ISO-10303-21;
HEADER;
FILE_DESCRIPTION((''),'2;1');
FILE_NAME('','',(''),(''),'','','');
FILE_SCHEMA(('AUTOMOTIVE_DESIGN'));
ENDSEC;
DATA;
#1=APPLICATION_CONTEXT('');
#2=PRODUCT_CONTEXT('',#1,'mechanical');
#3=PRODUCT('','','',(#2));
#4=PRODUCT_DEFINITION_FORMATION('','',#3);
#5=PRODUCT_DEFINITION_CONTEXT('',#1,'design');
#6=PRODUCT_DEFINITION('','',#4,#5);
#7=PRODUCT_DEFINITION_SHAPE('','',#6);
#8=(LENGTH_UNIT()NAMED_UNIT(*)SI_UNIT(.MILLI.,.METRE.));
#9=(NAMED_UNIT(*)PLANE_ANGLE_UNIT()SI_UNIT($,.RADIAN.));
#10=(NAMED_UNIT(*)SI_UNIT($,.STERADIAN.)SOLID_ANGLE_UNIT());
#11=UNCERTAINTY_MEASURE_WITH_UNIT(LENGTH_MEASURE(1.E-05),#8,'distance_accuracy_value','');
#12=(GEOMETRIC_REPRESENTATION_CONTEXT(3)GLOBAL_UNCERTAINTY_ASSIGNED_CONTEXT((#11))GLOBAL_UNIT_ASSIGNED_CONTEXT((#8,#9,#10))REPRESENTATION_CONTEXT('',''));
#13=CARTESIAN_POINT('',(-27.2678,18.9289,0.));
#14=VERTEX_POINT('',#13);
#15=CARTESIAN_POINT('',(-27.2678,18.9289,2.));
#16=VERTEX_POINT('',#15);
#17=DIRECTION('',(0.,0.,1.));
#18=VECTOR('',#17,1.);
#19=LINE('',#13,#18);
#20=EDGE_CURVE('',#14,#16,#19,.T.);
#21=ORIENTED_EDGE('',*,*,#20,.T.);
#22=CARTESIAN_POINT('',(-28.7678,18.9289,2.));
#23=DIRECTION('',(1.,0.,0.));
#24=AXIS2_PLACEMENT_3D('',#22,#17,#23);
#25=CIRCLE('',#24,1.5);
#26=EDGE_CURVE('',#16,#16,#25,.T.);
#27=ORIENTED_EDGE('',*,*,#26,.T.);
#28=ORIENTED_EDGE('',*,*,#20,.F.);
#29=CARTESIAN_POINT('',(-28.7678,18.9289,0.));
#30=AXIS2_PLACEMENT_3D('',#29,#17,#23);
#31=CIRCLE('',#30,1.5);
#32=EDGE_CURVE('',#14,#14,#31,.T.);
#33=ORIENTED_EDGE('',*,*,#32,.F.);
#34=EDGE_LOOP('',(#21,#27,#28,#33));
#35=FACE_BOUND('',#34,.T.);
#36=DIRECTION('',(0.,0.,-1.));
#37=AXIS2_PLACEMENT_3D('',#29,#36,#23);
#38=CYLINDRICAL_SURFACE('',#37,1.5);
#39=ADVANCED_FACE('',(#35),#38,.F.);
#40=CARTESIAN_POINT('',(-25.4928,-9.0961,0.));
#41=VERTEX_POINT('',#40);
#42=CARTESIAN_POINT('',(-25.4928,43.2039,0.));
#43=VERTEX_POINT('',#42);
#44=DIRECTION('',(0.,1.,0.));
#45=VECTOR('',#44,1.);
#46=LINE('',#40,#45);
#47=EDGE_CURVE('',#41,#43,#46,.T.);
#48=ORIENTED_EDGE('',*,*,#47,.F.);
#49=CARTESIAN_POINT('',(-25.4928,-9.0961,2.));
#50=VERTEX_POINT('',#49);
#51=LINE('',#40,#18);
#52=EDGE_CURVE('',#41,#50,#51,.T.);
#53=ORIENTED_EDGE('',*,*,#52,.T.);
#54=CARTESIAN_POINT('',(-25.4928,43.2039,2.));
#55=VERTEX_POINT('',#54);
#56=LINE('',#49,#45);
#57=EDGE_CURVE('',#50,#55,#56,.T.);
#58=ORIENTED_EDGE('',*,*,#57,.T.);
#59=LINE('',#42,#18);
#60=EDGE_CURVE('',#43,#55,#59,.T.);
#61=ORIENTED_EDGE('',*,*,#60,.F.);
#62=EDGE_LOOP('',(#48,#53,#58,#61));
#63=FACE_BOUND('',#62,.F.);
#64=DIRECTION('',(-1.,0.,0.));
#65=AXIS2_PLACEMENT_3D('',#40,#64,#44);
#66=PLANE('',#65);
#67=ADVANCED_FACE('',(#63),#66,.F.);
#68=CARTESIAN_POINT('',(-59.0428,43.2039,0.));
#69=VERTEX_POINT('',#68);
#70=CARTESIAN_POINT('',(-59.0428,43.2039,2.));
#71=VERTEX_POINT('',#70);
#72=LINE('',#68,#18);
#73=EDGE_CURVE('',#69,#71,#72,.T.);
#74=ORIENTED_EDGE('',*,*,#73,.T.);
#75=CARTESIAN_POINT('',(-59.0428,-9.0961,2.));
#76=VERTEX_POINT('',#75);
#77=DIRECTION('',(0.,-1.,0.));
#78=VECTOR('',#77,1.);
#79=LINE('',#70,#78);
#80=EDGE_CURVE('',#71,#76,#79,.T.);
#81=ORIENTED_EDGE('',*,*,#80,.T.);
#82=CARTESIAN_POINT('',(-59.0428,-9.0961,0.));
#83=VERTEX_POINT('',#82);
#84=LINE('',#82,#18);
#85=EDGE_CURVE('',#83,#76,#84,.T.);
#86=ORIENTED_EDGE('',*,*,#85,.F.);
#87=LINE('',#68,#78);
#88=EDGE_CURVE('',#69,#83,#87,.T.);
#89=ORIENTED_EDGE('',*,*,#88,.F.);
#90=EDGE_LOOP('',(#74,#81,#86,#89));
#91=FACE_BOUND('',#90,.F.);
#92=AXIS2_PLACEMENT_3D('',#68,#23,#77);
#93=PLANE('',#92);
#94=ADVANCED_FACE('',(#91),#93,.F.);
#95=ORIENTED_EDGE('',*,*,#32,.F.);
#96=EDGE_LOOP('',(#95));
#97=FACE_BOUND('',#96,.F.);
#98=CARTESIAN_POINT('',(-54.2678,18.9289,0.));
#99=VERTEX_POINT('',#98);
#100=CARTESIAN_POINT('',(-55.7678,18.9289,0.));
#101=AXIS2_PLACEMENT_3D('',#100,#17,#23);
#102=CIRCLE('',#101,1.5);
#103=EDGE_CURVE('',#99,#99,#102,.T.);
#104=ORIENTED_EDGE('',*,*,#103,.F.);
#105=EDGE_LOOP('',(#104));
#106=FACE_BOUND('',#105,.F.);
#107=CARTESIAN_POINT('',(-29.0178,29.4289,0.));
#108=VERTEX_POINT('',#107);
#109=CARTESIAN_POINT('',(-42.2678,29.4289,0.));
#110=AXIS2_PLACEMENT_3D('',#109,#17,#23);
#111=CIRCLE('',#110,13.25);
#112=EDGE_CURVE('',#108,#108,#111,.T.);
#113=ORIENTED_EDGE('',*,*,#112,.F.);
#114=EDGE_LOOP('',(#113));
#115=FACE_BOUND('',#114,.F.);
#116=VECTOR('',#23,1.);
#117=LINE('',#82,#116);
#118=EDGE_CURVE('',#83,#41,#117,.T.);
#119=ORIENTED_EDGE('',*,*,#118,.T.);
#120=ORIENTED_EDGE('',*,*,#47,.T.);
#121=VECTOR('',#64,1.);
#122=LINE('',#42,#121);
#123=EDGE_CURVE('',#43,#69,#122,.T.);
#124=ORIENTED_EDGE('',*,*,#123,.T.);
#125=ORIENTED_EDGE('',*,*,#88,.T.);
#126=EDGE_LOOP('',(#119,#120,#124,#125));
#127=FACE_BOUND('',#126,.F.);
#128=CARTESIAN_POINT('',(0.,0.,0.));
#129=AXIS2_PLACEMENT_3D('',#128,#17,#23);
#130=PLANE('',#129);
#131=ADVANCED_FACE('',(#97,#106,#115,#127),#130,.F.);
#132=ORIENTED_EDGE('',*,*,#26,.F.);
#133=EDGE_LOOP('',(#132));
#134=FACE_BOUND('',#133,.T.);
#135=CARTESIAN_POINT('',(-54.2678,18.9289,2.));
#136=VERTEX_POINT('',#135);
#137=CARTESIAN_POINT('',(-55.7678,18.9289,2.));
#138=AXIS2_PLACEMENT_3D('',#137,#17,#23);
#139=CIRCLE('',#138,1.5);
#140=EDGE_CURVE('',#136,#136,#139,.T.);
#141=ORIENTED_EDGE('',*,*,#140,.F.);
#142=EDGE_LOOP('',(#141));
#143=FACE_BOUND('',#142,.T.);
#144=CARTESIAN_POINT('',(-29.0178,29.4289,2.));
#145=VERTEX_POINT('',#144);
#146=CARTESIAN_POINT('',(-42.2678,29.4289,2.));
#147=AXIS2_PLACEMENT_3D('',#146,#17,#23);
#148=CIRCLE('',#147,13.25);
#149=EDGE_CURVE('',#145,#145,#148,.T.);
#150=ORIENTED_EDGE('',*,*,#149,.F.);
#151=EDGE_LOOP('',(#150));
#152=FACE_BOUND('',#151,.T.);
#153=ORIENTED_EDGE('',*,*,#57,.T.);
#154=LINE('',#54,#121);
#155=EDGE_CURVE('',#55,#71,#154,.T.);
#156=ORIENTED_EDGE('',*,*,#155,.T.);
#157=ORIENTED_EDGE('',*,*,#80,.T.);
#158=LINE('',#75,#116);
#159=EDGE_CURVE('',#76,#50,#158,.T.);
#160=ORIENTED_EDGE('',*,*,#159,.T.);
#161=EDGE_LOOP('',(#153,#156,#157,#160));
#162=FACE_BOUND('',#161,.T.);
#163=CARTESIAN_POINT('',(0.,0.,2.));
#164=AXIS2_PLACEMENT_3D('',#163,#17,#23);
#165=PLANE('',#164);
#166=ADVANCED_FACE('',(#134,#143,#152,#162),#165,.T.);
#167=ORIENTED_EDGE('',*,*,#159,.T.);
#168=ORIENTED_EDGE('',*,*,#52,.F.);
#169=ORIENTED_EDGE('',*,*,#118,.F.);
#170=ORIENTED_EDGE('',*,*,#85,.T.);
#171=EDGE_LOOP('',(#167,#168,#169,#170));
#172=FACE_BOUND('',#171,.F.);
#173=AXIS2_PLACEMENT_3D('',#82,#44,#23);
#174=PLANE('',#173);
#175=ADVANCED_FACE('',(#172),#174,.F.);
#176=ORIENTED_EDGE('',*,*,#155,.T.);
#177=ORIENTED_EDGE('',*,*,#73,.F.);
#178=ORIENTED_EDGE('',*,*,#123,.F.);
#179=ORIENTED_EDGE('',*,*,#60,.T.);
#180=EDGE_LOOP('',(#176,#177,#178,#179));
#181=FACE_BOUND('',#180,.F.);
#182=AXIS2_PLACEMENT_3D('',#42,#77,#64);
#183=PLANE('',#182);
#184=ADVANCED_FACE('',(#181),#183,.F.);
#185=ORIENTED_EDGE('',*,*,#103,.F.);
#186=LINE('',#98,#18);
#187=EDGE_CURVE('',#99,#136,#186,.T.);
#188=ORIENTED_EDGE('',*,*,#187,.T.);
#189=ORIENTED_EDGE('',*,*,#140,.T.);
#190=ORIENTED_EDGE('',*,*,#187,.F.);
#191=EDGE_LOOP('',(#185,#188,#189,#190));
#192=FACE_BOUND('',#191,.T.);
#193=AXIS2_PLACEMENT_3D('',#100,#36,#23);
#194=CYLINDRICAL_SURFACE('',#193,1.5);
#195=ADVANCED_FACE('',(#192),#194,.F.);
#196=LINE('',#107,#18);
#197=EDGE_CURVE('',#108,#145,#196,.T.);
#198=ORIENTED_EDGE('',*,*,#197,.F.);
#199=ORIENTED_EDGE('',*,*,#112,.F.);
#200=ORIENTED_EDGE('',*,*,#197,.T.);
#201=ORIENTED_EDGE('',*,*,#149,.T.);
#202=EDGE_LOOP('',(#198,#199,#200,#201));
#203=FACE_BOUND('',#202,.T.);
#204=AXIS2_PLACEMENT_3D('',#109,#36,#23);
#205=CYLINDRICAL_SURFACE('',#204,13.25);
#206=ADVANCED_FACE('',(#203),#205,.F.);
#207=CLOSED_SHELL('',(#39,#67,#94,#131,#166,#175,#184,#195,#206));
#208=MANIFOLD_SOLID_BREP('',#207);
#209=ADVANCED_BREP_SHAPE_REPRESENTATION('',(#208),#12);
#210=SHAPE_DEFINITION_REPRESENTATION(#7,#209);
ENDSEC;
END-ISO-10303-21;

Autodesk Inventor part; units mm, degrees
ref_plane "YZ Plane" through (0, 0, 0) normal (1, 0, 0) x (0, 1, 0)
ref_plane "XZ Plane" through (0, 0, 0) normal (0, 1, 0) x (-1, 0, 0)
ref_plane "XY Plane" through (0, 0, 0) normal (0, 0, 1) x (1, 0, 0)
sketch "Sketch2" plane through (0, 0, 0) normal (0, 0, 1) x (1, 0, 0)
  circle A0 centre (-42.2678, 29.4289) radius 13.25
  line L0 (-25.4928, 43.2039) -> (-59.0428, 43.2039)
  line L1 (-25.4928, -9.0961) -> (-25.4928, 43.2039)
  line L2 (-59.0428, 43.2039) -> (-59.0428, -9.0961)
  line L3 (-59.0428, -9.0961) -> (-25.4928, -9.0961)
  line L4 (-25.4928, -9.0961) -> (-25.4928, 43.2039)
  line L5 (-59.0428, -9.0961) -> (-25.4928, -9.0961)
  circle A1 centre (-55.7678, 18.9289) radius 1.5
  circle A2 centre (-28.7678, 18.9289) radius 1.5
  point P0 (0, 0)
  point P1 (-25.4928, -10.1461)
  dimension "d10" = 26.5
  dimension "d11" = 13.775
  dimension "d12" = 16.775
  dimension "d14" = 3
  dimension "d15" = 10.5
  dimension "d16" = 3
  dimension "d17" = 27
  dimension "d18" = 10.5
  dimension "d19" = 3.275
  dimension "d22" = 52.3
extrude "Extrusion1" add sketch "Sketch2" along normal blind 2
properties part number "Motor_Cover_2"
